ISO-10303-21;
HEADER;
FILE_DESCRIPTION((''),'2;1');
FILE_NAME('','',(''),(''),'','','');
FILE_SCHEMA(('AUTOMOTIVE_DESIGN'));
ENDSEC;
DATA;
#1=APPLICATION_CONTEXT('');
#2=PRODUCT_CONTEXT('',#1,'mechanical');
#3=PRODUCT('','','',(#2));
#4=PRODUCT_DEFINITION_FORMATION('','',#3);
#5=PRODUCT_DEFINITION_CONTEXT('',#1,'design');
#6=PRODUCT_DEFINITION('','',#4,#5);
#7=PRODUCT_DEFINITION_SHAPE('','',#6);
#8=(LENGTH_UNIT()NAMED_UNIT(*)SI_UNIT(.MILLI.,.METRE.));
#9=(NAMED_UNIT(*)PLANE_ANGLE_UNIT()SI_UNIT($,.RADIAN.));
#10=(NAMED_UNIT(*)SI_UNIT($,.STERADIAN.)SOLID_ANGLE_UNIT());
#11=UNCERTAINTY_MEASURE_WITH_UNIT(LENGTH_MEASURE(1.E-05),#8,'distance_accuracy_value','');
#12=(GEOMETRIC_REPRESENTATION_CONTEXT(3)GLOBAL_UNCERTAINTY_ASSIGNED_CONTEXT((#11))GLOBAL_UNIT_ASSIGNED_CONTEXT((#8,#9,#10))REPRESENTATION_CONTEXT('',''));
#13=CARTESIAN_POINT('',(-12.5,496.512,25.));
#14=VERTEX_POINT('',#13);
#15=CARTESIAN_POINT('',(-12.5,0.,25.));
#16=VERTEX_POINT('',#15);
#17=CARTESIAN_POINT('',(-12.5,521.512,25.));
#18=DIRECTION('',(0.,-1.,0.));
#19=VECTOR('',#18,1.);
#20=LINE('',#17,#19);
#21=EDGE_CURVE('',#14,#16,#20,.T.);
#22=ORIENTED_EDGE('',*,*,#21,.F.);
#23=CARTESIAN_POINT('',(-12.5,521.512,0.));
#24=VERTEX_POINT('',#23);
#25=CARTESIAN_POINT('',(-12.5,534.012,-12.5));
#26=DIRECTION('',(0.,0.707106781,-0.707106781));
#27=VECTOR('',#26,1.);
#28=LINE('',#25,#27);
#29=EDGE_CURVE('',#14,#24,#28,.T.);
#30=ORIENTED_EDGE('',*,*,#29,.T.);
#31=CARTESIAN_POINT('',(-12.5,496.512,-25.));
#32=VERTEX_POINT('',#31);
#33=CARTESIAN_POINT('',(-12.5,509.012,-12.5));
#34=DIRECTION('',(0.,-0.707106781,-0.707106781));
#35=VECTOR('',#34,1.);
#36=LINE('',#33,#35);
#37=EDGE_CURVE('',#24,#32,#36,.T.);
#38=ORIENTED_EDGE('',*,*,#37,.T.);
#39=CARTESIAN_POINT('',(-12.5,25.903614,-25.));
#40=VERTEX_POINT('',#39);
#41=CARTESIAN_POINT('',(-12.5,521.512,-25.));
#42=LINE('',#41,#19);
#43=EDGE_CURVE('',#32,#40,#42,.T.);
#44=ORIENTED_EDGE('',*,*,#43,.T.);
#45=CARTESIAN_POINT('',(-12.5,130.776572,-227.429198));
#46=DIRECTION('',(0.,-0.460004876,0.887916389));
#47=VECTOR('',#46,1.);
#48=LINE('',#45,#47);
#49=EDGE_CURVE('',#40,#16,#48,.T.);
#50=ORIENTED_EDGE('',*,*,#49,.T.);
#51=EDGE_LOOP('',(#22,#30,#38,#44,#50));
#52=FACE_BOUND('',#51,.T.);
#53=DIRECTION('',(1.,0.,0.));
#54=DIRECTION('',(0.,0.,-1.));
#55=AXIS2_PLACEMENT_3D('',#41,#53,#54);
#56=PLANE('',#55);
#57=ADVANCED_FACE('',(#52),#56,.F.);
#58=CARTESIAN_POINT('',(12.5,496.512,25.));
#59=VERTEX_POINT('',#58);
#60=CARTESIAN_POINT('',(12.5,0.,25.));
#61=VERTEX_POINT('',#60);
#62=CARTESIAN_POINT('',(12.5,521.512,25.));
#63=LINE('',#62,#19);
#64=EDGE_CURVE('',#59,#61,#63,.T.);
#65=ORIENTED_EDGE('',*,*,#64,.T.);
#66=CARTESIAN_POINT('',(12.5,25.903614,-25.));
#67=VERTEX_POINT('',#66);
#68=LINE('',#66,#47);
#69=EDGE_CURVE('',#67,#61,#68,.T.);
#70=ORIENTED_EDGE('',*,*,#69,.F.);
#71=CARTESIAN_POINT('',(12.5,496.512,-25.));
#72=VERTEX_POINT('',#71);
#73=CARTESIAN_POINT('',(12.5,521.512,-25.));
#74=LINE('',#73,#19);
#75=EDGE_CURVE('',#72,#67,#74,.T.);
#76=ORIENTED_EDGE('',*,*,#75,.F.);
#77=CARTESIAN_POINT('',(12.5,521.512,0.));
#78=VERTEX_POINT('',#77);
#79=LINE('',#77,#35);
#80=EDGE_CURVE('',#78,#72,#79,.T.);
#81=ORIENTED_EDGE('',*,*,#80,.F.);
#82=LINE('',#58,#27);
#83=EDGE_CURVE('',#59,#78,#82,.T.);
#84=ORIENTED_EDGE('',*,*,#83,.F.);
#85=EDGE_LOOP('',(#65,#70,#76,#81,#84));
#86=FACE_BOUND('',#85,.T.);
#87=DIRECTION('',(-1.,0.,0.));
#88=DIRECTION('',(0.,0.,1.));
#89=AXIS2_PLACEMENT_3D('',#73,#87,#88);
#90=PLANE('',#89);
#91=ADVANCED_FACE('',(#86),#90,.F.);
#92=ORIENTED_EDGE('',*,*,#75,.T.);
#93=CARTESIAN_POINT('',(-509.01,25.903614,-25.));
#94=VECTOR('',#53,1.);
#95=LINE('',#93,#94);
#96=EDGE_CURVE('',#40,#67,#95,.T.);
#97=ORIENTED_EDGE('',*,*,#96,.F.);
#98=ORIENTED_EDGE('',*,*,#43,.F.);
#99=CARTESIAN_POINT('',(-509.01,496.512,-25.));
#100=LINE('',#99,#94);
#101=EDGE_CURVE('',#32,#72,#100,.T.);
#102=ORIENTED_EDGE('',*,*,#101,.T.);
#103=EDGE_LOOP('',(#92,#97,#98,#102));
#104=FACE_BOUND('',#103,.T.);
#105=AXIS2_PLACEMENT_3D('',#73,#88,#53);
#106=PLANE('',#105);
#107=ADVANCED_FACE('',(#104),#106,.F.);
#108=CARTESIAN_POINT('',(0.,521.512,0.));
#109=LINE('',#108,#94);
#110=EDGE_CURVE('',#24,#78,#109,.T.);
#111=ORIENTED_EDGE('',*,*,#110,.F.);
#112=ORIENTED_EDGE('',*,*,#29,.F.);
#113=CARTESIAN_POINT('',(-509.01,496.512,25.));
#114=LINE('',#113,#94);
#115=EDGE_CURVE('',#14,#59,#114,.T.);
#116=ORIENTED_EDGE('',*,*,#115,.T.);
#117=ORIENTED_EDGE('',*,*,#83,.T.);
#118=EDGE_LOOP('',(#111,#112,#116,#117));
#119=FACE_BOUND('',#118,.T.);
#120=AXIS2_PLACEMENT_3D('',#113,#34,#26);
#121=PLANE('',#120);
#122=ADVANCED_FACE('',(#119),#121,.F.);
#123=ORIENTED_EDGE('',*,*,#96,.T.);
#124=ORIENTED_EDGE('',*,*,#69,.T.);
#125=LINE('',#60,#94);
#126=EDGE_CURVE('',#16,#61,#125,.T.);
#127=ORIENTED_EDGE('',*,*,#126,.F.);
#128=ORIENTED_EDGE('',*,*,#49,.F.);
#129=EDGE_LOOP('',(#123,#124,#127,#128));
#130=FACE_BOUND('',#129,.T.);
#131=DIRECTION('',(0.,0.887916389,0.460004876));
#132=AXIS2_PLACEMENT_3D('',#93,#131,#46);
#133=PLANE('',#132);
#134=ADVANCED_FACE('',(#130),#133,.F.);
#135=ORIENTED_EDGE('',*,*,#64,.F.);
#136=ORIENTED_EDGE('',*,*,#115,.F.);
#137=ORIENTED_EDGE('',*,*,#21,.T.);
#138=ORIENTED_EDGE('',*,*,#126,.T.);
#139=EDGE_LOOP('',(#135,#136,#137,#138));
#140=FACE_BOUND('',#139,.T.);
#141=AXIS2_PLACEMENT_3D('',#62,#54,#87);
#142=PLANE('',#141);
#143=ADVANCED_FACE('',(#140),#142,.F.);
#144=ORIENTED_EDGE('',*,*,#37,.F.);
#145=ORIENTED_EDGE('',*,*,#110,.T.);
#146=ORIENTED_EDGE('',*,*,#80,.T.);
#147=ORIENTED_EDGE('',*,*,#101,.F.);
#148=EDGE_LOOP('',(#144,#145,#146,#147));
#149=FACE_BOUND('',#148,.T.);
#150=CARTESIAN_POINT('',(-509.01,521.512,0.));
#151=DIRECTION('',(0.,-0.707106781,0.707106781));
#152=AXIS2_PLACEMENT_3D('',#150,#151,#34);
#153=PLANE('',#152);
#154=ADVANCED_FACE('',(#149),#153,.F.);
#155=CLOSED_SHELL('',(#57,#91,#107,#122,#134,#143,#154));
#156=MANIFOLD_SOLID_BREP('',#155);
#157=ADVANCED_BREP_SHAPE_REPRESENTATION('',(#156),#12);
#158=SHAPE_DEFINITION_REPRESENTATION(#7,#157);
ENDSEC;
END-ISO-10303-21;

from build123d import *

# Parameters (mm, degrees)
SKETCH_1_W          = 25
SKETCH_1_H          = 50
EXTRUDE_1_DEPTH     = 521.512
CUT_EXTRUDE_1_DEPTH = 521.51
CUT_EXTRUDE_2_DEPTH = 521.51


with BuildPart() as part:
    # Эскиз1 → Бобышка-Вытянуть1 (new body)
    with BuildSketch(Plane(origin=(0, 0, 0), x_dir=(1, 0, 0), z_dir=(0, 1, 0))):
        Rectangle(SKETCH_1_W, SKETCH_1_H)
    extrude(amount=EXTRUDE_1_DEPTH)

    # Эскиз2 → Вырез-Вытянуть1 (cut)
    with BuildSketch(Plane(origin=(12.5, 0, 0), x_dir=(0, 0, -1), z_dir=(1, 0, 0))):
        Polygon((-25, 521.512), (0, 521.512), (-25, 496.512), align=None)
        Polygon((25, 0), (25, 25.90361446), (-25, 0), align=None)
    extrude(amount=-CUT_EXTRUDE_1_DEPTH, mode=Mode.SUBTRACT)

    # Эскиз3 → Вырез-Вытянуть2 (cut)
    with BuildSketch(Plane(origin=(12.5, 0, 0), x_dir=(0, 0, -1), z_dir=(1, 0, 0))):
        Polygon((0, 521.512), (25, 496.512), (25, 521.512), align=None)
    extrude(amount=-CUT_EXTRUDE_2_DEPTH, mode=Mode.SUBTRACT)


solid = part.part
